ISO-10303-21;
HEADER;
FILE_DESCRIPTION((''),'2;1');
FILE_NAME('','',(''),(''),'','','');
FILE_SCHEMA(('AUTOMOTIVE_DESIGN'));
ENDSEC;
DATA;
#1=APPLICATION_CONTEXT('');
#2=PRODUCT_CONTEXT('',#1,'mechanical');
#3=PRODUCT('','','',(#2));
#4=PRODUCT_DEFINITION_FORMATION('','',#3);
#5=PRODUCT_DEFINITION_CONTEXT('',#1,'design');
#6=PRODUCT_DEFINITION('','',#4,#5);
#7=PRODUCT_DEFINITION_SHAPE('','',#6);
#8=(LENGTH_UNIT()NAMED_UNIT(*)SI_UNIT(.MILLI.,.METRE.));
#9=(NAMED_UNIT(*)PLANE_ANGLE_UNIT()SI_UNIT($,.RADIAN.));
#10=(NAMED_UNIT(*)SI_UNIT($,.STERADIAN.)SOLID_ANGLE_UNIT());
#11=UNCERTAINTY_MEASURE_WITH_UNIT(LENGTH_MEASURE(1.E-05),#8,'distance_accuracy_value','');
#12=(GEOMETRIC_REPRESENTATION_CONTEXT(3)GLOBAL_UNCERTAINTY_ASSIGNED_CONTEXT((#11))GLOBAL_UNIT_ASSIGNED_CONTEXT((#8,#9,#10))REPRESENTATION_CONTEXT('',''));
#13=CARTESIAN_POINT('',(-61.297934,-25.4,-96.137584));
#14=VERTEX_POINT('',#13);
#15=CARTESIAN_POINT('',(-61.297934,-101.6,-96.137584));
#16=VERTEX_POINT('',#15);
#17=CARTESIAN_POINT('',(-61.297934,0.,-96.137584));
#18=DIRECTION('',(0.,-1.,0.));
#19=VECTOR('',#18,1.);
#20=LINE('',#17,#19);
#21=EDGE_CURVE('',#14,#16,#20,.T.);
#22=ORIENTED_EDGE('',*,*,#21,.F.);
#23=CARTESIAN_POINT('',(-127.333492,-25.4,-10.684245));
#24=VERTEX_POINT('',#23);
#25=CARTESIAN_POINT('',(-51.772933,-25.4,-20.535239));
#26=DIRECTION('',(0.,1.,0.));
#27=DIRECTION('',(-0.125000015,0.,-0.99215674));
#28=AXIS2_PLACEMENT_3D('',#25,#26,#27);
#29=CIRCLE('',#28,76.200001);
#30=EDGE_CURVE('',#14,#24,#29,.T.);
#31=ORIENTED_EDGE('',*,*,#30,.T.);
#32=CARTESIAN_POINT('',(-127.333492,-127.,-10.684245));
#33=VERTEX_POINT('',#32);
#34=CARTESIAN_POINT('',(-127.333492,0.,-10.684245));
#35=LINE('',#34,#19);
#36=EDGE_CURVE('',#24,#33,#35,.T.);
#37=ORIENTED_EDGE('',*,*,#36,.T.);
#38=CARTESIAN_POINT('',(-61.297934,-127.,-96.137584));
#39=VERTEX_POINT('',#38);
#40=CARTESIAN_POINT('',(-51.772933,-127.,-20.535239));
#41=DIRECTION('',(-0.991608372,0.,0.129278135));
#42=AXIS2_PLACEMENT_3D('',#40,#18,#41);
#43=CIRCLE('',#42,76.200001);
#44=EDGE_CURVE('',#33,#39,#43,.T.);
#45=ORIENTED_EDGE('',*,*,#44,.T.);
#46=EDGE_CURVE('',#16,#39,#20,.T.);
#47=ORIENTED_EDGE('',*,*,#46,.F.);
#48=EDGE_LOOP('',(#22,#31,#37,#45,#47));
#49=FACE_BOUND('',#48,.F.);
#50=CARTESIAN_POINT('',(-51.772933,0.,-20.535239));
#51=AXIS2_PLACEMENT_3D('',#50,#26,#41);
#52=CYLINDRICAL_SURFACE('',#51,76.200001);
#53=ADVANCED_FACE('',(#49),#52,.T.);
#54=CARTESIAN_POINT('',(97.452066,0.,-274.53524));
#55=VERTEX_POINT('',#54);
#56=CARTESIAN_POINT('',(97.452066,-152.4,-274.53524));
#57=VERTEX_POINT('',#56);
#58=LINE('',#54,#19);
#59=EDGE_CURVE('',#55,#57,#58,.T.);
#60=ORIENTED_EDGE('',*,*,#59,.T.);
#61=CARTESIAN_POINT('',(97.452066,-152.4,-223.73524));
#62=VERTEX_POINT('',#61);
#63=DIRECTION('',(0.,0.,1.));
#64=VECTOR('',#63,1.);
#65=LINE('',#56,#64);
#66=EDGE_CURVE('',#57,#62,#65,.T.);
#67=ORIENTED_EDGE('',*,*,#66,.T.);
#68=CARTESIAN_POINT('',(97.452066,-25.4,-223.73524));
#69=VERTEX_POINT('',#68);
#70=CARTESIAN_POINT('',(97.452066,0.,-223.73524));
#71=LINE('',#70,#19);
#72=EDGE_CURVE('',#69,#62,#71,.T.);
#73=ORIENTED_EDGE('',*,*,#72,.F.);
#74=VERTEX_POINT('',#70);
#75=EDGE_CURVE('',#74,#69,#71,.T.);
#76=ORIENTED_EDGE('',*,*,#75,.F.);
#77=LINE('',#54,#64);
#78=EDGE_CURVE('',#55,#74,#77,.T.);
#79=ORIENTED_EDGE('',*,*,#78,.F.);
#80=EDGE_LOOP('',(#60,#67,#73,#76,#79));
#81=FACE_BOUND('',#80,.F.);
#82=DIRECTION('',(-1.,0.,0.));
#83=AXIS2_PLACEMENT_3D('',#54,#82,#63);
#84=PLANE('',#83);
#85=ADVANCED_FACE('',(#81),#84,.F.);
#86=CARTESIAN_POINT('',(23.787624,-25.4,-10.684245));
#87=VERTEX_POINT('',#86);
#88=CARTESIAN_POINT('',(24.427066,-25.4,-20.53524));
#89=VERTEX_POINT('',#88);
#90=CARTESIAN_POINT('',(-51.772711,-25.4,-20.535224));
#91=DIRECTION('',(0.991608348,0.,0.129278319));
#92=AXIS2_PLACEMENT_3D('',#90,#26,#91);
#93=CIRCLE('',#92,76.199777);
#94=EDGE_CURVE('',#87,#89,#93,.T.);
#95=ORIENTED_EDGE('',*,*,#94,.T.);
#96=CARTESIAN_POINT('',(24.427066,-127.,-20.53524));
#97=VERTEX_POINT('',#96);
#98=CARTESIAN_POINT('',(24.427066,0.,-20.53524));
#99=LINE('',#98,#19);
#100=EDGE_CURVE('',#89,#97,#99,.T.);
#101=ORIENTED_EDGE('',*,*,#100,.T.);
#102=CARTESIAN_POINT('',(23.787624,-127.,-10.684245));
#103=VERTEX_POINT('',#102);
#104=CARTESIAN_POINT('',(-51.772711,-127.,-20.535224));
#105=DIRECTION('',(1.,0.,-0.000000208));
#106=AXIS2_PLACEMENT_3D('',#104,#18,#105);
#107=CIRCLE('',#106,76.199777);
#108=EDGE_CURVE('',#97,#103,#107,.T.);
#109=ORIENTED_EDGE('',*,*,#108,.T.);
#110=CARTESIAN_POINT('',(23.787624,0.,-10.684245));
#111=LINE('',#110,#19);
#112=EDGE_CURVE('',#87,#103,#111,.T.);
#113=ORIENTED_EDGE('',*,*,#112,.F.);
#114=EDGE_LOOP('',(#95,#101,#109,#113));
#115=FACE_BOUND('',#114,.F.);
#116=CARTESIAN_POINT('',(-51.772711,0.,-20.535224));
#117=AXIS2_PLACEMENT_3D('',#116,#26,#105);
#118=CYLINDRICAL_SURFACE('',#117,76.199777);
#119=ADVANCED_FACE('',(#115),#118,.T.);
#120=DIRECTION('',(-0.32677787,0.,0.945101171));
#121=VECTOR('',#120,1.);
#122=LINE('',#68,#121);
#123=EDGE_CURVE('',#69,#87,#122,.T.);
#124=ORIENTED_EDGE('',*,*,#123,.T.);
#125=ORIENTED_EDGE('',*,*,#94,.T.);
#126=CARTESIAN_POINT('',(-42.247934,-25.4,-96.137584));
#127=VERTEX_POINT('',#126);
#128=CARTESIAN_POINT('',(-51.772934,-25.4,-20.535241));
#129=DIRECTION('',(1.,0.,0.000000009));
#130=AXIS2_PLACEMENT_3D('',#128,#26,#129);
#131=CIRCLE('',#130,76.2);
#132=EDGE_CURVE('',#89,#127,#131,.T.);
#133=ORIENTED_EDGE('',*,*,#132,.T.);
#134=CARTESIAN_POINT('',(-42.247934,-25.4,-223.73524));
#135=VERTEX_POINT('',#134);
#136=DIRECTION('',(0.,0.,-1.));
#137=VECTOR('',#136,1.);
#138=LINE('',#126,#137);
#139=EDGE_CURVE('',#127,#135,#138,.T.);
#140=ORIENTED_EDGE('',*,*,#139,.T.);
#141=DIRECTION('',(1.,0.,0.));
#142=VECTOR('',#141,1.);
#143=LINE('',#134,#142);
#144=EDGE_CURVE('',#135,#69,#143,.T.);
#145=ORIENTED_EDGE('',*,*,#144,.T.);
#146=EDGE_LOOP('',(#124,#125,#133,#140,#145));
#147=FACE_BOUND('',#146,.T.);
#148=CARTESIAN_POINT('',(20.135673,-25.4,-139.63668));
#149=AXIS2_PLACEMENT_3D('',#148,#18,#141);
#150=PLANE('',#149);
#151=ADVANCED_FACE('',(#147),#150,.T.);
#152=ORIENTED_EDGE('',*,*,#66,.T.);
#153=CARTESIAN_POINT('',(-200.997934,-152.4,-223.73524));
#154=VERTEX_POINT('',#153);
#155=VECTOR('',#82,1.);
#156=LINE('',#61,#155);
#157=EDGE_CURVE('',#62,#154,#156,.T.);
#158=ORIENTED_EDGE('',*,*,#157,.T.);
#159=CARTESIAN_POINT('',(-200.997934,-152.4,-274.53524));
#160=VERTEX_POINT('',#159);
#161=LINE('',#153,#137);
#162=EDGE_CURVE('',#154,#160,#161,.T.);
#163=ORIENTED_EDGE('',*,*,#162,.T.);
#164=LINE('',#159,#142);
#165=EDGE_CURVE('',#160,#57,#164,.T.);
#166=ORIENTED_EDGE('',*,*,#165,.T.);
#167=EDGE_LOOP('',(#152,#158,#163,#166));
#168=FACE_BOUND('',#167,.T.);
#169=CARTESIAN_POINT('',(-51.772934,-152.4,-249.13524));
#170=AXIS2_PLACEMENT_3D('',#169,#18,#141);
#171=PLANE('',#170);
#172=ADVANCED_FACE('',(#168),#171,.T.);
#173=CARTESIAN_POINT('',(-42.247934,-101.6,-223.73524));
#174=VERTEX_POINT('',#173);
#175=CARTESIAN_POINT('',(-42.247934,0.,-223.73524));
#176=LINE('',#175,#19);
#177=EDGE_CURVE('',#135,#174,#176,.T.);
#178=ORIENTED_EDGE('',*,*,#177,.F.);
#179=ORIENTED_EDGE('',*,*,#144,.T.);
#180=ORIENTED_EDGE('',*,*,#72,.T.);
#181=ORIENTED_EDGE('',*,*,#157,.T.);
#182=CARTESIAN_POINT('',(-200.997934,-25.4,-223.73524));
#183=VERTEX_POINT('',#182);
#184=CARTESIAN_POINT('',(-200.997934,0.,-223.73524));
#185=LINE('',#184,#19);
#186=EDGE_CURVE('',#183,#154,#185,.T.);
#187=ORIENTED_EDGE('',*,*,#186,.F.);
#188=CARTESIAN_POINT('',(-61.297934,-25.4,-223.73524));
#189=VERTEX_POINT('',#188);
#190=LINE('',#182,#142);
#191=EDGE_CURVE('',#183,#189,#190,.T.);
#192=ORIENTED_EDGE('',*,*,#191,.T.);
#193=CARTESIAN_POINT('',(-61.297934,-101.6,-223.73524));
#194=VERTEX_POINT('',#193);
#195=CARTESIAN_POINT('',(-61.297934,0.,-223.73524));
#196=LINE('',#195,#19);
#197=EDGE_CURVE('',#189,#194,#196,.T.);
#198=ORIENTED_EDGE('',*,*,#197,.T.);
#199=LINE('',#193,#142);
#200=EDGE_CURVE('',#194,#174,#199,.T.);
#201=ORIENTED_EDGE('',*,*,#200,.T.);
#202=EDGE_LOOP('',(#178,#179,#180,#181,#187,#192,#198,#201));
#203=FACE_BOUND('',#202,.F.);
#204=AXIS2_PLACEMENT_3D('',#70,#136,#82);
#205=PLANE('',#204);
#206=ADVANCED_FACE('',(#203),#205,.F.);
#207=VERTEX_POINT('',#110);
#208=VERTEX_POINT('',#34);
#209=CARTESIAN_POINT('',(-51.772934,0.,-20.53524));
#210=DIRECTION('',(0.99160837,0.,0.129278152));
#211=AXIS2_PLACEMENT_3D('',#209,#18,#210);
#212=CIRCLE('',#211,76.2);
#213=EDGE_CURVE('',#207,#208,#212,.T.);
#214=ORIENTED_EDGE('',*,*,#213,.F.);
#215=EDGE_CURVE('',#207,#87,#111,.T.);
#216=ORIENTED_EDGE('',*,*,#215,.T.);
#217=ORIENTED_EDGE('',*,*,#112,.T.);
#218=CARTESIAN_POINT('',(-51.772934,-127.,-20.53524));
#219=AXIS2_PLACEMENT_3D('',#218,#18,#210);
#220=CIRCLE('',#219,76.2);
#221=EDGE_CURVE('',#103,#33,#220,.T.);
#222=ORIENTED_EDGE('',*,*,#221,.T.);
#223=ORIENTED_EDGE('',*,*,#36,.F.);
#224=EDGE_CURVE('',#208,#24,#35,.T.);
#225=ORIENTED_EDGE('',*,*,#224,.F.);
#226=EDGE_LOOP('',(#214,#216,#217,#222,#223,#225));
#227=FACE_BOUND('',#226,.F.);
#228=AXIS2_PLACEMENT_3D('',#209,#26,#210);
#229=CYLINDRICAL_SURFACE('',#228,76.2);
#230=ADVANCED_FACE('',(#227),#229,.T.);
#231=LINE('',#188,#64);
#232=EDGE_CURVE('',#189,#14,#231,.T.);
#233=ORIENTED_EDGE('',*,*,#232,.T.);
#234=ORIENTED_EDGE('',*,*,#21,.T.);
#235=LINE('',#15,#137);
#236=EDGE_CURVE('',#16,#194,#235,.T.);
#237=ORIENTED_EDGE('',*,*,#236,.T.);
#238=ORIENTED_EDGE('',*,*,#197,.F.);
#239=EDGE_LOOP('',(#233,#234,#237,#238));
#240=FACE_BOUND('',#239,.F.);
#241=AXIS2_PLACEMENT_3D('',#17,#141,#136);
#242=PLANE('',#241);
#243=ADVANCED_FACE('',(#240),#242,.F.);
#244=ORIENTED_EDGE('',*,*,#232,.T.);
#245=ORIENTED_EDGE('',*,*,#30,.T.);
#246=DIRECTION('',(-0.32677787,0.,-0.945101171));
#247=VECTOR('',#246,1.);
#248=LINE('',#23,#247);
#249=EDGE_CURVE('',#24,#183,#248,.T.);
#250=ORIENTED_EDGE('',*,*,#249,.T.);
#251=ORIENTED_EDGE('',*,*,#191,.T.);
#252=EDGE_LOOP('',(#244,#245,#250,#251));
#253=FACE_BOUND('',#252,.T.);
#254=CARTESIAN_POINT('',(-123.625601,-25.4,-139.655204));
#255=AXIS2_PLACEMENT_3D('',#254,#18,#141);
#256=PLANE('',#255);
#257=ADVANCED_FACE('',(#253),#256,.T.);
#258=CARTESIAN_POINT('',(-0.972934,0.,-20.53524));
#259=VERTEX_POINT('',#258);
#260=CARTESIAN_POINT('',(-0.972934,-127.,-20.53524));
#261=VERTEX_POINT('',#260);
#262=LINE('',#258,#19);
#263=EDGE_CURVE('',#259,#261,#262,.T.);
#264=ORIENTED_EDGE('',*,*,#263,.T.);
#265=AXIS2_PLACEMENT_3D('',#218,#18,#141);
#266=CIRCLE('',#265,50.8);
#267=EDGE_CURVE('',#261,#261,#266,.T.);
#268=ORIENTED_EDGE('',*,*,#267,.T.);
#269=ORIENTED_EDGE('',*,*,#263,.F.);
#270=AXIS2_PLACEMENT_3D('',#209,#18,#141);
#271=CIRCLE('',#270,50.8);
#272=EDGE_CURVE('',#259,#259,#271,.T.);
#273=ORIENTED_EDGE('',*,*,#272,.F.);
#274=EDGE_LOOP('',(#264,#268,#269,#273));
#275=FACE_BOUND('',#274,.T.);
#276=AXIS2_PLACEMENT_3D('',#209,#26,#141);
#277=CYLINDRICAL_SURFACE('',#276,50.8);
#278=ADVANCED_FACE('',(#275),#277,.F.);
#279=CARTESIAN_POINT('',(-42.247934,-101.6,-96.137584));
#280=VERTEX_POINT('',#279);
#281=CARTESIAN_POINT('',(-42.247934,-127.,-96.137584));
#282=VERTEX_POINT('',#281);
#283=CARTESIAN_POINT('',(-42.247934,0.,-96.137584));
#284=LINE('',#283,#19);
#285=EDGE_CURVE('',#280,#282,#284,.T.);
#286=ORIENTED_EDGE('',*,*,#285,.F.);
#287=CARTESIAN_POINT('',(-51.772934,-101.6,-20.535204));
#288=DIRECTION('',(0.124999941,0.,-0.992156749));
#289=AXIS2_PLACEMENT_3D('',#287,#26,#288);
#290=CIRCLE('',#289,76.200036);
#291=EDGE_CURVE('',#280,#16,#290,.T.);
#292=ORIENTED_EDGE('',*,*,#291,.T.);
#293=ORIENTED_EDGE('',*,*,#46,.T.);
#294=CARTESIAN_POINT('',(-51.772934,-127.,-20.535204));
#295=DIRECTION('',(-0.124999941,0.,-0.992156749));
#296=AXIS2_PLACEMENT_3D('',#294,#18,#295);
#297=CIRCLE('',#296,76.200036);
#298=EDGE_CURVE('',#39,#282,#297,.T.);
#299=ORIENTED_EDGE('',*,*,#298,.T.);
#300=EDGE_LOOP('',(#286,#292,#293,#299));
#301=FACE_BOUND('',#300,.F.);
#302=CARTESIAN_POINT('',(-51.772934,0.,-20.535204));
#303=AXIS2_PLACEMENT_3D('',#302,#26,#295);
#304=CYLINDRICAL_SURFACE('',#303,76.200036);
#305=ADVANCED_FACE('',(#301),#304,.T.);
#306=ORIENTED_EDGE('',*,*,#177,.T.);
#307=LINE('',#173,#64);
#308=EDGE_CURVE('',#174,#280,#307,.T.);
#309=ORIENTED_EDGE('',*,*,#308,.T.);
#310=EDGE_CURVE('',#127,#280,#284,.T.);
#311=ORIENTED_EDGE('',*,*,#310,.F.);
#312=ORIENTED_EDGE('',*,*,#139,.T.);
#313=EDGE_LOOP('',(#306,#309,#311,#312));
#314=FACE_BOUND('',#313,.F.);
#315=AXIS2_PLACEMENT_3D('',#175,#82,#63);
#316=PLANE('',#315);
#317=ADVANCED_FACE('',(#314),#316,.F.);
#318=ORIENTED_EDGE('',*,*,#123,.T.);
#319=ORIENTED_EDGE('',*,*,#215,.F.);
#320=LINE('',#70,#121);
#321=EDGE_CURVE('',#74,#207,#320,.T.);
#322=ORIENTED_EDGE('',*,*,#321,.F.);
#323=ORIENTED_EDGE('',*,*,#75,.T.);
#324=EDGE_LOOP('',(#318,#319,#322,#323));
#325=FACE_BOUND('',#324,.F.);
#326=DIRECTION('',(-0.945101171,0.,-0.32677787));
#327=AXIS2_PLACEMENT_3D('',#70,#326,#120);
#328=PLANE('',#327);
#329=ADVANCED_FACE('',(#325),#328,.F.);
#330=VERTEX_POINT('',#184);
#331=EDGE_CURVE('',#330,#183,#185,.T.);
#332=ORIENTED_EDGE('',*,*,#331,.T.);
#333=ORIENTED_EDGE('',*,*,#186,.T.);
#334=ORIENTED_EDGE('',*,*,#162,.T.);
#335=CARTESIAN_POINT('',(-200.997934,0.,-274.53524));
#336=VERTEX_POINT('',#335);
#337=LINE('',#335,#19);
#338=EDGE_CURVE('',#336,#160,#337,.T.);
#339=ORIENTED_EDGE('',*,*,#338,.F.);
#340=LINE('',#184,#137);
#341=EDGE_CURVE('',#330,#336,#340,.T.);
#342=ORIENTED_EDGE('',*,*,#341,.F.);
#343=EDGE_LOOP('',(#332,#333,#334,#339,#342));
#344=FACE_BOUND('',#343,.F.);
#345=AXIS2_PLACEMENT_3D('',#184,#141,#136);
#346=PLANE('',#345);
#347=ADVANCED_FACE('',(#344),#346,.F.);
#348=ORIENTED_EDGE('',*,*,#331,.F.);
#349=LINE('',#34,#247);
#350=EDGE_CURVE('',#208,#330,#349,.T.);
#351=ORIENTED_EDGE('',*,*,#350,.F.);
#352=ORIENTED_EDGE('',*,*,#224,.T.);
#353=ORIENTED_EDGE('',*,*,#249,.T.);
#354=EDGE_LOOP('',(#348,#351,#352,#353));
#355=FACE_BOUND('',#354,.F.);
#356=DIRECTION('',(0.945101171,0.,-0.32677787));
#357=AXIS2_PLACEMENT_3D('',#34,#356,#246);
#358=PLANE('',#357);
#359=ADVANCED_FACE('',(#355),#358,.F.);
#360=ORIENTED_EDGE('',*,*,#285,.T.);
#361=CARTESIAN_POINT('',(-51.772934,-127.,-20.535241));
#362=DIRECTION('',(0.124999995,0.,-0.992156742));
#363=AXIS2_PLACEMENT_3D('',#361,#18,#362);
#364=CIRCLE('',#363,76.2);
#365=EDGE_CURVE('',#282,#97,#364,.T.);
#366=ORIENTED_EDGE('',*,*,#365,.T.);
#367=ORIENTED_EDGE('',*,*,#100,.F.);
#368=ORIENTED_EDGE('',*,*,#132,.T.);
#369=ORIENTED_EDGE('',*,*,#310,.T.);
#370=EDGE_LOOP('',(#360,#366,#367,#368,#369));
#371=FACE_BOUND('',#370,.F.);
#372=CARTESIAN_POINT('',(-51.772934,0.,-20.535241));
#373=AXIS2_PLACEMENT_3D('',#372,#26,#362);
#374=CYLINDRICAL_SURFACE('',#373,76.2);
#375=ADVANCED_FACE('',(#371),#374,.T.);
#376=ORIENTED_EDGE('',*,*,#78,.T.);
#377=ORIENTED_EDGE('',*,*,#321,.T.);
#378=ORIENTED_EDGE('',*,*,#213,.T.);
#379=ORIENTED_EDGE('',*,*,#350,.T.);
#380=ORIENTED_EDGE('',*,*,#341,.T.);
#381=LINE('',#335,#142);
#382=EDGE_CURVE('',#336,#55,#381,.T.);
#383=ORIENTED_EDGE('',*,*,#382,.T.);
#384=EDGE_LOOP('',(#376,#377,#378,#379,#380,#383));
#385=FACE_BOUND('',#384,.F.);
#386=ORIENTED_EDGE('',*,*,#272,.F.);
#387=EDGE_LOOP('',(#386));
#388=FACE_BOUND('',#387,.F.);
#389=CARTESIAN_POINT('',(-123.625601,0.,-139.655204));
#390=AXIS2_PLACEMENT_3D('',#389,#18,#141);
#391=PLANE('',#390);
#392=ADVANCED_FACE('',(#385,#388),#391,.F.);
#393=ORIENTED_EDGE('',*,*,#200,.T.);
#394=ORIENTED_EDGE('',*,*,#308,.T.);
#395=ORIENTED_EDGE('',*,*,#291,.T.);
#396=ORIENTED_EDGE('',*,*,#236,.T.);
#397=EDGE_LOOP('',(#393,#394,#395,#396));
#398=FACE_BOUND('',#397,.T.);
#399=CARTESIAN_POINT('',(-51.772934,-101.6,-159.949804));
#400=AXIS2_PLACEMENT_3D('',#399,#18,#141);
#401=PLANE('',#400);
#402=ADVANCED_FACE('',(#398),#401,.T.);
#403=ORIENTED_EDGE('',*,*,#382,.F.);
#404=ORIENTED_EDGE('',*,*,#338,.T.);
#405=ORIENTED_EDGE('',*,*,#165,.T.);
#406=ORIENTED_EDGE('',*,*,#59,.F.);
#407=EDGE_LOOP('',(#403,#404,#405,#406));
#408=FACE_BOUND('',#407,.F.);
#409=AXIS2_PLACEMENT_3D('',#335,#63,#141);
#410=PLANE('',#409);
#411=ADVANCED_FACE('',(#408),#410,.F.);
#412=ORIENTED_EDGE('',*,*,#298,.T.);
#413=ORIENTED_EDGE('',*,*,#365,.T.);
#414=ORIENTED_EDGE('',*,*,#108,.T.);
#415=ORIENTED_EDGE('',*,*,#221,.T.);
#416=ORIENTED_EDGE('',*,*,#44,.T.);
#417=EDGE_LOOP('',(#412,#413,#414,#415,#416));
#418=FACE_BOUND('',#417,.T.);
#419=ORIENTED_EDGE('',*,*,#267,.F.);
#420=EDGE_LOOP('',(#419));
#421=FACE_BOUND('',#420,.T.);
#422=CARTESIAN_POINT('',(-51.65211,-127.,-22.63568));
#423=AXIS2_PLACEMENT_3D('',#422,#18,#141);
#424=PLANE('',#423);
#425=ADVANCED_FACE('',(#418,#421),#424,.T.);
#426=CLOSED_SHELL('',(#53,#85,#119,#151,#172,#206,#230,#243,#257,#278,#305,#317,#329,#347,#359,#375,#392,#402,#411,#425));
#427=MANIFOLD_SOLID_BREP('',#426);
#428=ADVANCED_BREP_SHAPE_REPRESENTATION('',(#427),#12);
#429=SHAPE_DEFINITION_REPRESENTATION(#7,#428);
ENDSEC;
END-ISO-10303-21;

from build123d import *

# Parameters (mm, degrees)
F0_R     = 50.8
F1_DEPTH = 127
F2_DEPTH = 101.6
F3_DEPTH = 152.4
F4_DEPTH = 25.4


with BuildPart() as f1:
    # F0 (on Front) → F1 (new body)
    with BuildSketch(Plane.XZ):
        with BuildLine():
            ThreePointArc((-42.247934, -96.137584), (5.377066, -70.936803), (24.427066, -20.53524))
            ThreePointArc((24.427066, -20.53524), (24.267038, -15.599377), (23.787624, -10.684245))
            ThreePointArc((23.787624, -10.684245), (-51.772934, 55.66476), (-127.333492, -10.684245))
            ThreePointArc((-127.333492, -10.684245), (-112.067679, -67.129056), (-61.297934, -96.137584))
            ThreePointArc((-61.297934, -96.137584), (-51.772934, -96.73524), (-42.247934, -96.137584))
        make_face()
        with Locations((-51.772934, -20.53524)):
            Circle(F0_R, mode=Mode.SUBTRACT)
    extrude(amount=F1_DEPTH)

    # F0 (on Front) → F2 (join)
    with BuildSketch(Plane.XZ):
        with BuildLine():
            Line((-42.247934, -223.73524), (-42.247934, -96.137584))
            ThreePointArc((-42.247934, -96.137584), (-51.772934, -96.73524), (-61.297934, -96.137584))
            Line((-61.297934, -96.137584), (-61.297934, -223.73524))
            Line((-61.297934, -223.73524), (-42.247934, -223.73524))
        make_face()
    extrude(amount=F2_DEPTH)

    # F0 (on Front) → F3 (join)
    with BuildSketch(Plane.XZ):
        Polygon((97.452066, -274.53524), (97.452066, -223.73524), (-42.247934, -223.73524), (-61.297934, -223.73524), (-200.997934, -223.73524), (-200.997934, -274.53524), align=None)
    extrude(amount=F3_DEPTH)

    # F0 (on Front) → F4 (join)
    with BuildSketch(Plane.XZ):
        with BuildLine():
            ThreePointArc((-61.297934, -96.137584), (-112.067679, -67.129056), (-127.333492, -10.684245))
            Line((-127.333492, -10.684245), (-200.997934, -223.73524))
            Line((-200.997934, -223.73524), (-61.297934, -223.73524))
            Line((-61.297934, -223.73524), (-61.297934, -96.137584))
        make_face()
        with BuildLine():
            ThreePointArc((23.787624, -10.684245), (24.267038, -15.599377), (24.427066, -20.53524))
            ThreePointArc((24.427066, -20.53524), (5.377066, -70.936803), (-42.247934, -96.137584))
            Line((-42.247934, -96.137584), (-42.247934, -223.73524))
            Line((-42.247934, -223.73524), (97.452066, -223.73524))
            Line((97.452066, -223.73524), (23.787624, -10.684245))
        make_face()
    extrude(amount=F4_DEPTH)


solid = f1.part
